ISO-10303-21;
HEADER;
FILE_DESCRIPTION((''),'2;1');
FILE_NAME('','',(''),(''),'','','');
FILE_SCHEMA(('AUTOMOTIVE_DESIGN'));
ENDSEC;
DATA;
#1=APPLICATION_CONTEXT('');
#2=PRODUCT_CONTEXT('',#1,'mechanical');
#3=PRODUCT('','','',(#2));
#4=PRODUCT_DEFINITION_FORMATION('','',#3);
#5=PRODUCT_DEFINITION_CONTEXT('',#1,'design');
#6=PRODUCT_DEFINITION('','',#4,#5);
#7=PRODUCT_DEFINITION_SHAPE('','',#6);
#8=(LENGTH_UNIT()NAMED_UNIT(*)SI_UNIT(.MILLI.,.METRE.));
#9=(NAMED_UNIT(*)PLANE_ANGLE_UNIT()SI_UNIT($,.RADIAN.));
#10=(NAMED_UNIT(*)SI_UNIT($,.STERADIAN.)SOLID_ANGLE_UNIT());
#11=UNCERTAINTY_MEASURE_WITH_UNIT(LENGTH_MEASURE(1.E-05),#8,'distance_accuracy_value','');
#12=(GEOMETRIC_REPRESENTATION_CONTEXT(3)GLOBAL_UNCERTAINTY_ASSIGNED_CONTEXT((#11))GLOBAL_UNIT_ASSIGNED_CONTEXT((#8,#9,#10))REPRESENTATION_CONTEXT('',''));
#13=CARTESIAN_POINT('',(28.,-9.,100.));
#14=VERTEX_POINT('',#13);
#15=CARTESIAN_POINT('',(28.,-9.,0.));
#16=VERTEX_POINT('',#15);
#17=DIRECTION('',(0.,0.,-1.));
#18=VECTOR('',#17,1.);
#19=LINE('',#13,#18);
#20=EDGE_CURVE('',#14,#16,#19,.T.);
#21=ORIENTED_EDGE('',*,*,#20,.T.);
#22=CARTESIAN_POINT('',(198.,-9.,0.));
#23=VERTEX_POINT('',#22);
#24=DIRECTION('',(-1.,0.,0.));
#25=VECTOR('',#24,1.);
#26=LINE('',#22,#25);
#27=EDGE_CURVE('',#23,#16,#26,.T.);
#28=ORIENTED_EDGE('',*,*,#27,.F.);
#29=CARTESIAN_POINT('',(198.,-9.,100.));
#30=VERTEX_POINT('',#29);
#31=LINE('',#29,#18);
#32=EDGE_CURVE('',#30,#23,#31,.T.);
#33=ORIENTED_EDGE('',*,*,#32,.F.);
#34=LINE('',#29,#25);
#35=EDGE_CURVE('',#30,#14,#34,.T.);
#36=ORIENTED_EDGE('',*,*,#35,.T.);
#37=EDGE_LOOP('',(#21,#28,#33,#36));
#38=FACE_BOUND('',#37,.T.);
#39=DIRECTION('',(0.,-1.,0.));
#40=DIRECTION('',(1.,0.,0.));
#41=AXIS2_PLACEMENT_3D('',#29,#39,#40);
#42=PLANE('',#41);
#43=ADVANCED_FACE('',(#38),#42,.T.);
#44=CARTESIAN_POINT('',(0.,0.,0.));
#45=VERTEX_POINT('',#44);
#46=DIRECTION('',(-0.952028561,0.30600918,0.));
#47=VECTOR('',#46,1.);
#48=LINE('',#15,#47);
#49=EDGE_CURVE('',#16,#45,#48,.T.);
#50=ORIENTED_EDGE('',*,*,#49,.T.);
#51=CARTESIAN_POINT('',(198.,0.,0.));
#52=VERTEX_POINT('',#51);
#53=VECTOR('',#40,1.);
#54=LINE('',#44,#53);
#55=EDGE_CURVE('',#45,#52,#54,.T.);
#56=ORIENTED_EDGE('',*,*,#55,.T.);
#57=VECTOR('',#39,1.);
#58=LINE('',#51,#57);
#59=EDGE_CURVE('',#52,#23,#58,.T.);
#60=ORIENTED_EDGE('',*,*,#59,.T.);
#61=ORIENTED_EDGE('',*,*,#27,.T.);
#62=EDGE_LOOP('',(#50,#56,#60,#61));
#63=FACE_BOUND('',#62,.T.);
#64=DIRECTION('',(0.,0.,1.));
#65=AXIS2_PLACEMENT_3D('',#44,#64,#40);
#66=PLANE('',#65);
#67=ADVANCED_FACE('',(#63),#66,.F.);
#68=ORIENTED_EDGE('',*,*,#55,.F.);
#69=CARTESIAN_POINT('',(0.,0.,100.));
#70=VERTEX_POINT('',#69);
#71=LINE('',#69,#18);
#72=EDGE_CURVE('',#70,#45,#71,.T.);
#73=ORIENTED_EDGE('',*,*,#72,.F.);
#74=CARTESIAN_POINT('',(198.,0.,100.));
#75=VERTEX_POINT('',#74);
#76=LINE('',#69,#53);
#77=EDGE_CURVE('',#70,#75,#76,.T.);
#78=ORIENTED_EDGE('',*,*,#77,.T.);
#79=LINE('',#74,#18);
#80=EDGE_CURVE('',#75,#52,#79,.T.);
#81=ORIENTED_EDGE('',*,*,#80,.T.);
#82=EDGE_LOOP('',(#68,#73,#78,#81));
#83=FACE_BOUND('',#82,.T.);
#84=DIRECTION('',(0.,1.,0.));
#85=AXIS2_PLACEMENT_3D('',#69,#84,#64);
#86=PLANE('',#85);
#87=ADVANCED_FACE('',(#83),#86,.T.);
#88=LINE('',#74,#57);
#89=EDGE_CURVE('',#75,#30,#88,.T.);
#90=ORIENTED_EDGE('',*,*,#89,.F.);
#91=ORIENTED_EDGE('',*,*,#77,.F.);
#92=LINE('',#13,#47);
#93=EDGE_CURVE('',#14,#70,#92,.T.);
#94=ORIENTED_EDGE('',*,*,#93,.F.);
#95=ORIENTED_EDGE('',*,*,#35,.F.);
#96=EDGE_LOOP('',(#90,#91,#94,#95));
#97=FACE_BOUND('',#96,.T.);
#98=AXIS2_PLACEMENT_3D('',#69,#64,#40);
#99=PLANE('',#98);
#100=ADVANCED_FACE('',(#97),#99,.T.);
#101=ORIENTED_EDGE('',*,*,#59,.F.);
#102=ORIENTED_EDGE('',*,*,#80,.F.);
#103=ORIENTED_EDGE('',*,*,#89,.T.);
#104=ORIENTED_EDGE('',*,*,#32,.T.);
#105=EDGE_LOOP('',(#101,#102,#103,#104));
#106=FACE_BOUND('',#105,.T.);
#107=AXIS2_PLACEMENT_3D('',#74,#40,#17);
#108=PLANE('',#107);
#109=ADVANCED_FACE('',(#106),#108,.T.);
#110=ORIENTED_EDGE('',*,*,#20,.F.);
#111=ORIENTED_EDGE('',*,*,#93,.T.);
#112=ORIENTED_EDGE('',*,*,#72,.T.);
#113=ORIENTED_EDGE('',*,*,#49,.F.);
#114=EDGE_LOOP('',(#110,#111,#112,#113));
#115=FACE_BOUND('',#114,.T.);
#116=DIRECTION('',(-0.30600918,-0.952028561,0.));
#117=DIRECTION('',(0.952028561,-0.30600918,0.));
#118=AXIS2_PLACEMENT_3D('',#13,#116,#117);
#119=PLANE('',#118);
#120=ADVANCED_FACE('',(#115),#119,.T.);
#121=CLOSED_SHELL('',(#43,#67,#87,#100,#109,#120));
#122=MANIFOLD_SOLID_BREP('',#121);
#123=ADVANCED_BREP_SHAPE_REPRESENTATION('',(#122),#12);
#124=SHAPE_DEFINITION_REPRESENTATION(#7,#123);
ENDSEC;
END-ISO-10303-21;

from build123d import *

# Parameters (mm, degrees)
BOSS_EXTRUDE1_DEPTH = 100


with BuildPart() as part:
    # Sketch1 → Boss-Extrude1 (new body)
    with BuildSketch(Plane.XY):
        Polygon((0, 0), (198, 0), (198, -9), (28, -9), align=None)
    extrude(amount=BOSS_EXTRUDE1_DEPTH)


solid = part.part
